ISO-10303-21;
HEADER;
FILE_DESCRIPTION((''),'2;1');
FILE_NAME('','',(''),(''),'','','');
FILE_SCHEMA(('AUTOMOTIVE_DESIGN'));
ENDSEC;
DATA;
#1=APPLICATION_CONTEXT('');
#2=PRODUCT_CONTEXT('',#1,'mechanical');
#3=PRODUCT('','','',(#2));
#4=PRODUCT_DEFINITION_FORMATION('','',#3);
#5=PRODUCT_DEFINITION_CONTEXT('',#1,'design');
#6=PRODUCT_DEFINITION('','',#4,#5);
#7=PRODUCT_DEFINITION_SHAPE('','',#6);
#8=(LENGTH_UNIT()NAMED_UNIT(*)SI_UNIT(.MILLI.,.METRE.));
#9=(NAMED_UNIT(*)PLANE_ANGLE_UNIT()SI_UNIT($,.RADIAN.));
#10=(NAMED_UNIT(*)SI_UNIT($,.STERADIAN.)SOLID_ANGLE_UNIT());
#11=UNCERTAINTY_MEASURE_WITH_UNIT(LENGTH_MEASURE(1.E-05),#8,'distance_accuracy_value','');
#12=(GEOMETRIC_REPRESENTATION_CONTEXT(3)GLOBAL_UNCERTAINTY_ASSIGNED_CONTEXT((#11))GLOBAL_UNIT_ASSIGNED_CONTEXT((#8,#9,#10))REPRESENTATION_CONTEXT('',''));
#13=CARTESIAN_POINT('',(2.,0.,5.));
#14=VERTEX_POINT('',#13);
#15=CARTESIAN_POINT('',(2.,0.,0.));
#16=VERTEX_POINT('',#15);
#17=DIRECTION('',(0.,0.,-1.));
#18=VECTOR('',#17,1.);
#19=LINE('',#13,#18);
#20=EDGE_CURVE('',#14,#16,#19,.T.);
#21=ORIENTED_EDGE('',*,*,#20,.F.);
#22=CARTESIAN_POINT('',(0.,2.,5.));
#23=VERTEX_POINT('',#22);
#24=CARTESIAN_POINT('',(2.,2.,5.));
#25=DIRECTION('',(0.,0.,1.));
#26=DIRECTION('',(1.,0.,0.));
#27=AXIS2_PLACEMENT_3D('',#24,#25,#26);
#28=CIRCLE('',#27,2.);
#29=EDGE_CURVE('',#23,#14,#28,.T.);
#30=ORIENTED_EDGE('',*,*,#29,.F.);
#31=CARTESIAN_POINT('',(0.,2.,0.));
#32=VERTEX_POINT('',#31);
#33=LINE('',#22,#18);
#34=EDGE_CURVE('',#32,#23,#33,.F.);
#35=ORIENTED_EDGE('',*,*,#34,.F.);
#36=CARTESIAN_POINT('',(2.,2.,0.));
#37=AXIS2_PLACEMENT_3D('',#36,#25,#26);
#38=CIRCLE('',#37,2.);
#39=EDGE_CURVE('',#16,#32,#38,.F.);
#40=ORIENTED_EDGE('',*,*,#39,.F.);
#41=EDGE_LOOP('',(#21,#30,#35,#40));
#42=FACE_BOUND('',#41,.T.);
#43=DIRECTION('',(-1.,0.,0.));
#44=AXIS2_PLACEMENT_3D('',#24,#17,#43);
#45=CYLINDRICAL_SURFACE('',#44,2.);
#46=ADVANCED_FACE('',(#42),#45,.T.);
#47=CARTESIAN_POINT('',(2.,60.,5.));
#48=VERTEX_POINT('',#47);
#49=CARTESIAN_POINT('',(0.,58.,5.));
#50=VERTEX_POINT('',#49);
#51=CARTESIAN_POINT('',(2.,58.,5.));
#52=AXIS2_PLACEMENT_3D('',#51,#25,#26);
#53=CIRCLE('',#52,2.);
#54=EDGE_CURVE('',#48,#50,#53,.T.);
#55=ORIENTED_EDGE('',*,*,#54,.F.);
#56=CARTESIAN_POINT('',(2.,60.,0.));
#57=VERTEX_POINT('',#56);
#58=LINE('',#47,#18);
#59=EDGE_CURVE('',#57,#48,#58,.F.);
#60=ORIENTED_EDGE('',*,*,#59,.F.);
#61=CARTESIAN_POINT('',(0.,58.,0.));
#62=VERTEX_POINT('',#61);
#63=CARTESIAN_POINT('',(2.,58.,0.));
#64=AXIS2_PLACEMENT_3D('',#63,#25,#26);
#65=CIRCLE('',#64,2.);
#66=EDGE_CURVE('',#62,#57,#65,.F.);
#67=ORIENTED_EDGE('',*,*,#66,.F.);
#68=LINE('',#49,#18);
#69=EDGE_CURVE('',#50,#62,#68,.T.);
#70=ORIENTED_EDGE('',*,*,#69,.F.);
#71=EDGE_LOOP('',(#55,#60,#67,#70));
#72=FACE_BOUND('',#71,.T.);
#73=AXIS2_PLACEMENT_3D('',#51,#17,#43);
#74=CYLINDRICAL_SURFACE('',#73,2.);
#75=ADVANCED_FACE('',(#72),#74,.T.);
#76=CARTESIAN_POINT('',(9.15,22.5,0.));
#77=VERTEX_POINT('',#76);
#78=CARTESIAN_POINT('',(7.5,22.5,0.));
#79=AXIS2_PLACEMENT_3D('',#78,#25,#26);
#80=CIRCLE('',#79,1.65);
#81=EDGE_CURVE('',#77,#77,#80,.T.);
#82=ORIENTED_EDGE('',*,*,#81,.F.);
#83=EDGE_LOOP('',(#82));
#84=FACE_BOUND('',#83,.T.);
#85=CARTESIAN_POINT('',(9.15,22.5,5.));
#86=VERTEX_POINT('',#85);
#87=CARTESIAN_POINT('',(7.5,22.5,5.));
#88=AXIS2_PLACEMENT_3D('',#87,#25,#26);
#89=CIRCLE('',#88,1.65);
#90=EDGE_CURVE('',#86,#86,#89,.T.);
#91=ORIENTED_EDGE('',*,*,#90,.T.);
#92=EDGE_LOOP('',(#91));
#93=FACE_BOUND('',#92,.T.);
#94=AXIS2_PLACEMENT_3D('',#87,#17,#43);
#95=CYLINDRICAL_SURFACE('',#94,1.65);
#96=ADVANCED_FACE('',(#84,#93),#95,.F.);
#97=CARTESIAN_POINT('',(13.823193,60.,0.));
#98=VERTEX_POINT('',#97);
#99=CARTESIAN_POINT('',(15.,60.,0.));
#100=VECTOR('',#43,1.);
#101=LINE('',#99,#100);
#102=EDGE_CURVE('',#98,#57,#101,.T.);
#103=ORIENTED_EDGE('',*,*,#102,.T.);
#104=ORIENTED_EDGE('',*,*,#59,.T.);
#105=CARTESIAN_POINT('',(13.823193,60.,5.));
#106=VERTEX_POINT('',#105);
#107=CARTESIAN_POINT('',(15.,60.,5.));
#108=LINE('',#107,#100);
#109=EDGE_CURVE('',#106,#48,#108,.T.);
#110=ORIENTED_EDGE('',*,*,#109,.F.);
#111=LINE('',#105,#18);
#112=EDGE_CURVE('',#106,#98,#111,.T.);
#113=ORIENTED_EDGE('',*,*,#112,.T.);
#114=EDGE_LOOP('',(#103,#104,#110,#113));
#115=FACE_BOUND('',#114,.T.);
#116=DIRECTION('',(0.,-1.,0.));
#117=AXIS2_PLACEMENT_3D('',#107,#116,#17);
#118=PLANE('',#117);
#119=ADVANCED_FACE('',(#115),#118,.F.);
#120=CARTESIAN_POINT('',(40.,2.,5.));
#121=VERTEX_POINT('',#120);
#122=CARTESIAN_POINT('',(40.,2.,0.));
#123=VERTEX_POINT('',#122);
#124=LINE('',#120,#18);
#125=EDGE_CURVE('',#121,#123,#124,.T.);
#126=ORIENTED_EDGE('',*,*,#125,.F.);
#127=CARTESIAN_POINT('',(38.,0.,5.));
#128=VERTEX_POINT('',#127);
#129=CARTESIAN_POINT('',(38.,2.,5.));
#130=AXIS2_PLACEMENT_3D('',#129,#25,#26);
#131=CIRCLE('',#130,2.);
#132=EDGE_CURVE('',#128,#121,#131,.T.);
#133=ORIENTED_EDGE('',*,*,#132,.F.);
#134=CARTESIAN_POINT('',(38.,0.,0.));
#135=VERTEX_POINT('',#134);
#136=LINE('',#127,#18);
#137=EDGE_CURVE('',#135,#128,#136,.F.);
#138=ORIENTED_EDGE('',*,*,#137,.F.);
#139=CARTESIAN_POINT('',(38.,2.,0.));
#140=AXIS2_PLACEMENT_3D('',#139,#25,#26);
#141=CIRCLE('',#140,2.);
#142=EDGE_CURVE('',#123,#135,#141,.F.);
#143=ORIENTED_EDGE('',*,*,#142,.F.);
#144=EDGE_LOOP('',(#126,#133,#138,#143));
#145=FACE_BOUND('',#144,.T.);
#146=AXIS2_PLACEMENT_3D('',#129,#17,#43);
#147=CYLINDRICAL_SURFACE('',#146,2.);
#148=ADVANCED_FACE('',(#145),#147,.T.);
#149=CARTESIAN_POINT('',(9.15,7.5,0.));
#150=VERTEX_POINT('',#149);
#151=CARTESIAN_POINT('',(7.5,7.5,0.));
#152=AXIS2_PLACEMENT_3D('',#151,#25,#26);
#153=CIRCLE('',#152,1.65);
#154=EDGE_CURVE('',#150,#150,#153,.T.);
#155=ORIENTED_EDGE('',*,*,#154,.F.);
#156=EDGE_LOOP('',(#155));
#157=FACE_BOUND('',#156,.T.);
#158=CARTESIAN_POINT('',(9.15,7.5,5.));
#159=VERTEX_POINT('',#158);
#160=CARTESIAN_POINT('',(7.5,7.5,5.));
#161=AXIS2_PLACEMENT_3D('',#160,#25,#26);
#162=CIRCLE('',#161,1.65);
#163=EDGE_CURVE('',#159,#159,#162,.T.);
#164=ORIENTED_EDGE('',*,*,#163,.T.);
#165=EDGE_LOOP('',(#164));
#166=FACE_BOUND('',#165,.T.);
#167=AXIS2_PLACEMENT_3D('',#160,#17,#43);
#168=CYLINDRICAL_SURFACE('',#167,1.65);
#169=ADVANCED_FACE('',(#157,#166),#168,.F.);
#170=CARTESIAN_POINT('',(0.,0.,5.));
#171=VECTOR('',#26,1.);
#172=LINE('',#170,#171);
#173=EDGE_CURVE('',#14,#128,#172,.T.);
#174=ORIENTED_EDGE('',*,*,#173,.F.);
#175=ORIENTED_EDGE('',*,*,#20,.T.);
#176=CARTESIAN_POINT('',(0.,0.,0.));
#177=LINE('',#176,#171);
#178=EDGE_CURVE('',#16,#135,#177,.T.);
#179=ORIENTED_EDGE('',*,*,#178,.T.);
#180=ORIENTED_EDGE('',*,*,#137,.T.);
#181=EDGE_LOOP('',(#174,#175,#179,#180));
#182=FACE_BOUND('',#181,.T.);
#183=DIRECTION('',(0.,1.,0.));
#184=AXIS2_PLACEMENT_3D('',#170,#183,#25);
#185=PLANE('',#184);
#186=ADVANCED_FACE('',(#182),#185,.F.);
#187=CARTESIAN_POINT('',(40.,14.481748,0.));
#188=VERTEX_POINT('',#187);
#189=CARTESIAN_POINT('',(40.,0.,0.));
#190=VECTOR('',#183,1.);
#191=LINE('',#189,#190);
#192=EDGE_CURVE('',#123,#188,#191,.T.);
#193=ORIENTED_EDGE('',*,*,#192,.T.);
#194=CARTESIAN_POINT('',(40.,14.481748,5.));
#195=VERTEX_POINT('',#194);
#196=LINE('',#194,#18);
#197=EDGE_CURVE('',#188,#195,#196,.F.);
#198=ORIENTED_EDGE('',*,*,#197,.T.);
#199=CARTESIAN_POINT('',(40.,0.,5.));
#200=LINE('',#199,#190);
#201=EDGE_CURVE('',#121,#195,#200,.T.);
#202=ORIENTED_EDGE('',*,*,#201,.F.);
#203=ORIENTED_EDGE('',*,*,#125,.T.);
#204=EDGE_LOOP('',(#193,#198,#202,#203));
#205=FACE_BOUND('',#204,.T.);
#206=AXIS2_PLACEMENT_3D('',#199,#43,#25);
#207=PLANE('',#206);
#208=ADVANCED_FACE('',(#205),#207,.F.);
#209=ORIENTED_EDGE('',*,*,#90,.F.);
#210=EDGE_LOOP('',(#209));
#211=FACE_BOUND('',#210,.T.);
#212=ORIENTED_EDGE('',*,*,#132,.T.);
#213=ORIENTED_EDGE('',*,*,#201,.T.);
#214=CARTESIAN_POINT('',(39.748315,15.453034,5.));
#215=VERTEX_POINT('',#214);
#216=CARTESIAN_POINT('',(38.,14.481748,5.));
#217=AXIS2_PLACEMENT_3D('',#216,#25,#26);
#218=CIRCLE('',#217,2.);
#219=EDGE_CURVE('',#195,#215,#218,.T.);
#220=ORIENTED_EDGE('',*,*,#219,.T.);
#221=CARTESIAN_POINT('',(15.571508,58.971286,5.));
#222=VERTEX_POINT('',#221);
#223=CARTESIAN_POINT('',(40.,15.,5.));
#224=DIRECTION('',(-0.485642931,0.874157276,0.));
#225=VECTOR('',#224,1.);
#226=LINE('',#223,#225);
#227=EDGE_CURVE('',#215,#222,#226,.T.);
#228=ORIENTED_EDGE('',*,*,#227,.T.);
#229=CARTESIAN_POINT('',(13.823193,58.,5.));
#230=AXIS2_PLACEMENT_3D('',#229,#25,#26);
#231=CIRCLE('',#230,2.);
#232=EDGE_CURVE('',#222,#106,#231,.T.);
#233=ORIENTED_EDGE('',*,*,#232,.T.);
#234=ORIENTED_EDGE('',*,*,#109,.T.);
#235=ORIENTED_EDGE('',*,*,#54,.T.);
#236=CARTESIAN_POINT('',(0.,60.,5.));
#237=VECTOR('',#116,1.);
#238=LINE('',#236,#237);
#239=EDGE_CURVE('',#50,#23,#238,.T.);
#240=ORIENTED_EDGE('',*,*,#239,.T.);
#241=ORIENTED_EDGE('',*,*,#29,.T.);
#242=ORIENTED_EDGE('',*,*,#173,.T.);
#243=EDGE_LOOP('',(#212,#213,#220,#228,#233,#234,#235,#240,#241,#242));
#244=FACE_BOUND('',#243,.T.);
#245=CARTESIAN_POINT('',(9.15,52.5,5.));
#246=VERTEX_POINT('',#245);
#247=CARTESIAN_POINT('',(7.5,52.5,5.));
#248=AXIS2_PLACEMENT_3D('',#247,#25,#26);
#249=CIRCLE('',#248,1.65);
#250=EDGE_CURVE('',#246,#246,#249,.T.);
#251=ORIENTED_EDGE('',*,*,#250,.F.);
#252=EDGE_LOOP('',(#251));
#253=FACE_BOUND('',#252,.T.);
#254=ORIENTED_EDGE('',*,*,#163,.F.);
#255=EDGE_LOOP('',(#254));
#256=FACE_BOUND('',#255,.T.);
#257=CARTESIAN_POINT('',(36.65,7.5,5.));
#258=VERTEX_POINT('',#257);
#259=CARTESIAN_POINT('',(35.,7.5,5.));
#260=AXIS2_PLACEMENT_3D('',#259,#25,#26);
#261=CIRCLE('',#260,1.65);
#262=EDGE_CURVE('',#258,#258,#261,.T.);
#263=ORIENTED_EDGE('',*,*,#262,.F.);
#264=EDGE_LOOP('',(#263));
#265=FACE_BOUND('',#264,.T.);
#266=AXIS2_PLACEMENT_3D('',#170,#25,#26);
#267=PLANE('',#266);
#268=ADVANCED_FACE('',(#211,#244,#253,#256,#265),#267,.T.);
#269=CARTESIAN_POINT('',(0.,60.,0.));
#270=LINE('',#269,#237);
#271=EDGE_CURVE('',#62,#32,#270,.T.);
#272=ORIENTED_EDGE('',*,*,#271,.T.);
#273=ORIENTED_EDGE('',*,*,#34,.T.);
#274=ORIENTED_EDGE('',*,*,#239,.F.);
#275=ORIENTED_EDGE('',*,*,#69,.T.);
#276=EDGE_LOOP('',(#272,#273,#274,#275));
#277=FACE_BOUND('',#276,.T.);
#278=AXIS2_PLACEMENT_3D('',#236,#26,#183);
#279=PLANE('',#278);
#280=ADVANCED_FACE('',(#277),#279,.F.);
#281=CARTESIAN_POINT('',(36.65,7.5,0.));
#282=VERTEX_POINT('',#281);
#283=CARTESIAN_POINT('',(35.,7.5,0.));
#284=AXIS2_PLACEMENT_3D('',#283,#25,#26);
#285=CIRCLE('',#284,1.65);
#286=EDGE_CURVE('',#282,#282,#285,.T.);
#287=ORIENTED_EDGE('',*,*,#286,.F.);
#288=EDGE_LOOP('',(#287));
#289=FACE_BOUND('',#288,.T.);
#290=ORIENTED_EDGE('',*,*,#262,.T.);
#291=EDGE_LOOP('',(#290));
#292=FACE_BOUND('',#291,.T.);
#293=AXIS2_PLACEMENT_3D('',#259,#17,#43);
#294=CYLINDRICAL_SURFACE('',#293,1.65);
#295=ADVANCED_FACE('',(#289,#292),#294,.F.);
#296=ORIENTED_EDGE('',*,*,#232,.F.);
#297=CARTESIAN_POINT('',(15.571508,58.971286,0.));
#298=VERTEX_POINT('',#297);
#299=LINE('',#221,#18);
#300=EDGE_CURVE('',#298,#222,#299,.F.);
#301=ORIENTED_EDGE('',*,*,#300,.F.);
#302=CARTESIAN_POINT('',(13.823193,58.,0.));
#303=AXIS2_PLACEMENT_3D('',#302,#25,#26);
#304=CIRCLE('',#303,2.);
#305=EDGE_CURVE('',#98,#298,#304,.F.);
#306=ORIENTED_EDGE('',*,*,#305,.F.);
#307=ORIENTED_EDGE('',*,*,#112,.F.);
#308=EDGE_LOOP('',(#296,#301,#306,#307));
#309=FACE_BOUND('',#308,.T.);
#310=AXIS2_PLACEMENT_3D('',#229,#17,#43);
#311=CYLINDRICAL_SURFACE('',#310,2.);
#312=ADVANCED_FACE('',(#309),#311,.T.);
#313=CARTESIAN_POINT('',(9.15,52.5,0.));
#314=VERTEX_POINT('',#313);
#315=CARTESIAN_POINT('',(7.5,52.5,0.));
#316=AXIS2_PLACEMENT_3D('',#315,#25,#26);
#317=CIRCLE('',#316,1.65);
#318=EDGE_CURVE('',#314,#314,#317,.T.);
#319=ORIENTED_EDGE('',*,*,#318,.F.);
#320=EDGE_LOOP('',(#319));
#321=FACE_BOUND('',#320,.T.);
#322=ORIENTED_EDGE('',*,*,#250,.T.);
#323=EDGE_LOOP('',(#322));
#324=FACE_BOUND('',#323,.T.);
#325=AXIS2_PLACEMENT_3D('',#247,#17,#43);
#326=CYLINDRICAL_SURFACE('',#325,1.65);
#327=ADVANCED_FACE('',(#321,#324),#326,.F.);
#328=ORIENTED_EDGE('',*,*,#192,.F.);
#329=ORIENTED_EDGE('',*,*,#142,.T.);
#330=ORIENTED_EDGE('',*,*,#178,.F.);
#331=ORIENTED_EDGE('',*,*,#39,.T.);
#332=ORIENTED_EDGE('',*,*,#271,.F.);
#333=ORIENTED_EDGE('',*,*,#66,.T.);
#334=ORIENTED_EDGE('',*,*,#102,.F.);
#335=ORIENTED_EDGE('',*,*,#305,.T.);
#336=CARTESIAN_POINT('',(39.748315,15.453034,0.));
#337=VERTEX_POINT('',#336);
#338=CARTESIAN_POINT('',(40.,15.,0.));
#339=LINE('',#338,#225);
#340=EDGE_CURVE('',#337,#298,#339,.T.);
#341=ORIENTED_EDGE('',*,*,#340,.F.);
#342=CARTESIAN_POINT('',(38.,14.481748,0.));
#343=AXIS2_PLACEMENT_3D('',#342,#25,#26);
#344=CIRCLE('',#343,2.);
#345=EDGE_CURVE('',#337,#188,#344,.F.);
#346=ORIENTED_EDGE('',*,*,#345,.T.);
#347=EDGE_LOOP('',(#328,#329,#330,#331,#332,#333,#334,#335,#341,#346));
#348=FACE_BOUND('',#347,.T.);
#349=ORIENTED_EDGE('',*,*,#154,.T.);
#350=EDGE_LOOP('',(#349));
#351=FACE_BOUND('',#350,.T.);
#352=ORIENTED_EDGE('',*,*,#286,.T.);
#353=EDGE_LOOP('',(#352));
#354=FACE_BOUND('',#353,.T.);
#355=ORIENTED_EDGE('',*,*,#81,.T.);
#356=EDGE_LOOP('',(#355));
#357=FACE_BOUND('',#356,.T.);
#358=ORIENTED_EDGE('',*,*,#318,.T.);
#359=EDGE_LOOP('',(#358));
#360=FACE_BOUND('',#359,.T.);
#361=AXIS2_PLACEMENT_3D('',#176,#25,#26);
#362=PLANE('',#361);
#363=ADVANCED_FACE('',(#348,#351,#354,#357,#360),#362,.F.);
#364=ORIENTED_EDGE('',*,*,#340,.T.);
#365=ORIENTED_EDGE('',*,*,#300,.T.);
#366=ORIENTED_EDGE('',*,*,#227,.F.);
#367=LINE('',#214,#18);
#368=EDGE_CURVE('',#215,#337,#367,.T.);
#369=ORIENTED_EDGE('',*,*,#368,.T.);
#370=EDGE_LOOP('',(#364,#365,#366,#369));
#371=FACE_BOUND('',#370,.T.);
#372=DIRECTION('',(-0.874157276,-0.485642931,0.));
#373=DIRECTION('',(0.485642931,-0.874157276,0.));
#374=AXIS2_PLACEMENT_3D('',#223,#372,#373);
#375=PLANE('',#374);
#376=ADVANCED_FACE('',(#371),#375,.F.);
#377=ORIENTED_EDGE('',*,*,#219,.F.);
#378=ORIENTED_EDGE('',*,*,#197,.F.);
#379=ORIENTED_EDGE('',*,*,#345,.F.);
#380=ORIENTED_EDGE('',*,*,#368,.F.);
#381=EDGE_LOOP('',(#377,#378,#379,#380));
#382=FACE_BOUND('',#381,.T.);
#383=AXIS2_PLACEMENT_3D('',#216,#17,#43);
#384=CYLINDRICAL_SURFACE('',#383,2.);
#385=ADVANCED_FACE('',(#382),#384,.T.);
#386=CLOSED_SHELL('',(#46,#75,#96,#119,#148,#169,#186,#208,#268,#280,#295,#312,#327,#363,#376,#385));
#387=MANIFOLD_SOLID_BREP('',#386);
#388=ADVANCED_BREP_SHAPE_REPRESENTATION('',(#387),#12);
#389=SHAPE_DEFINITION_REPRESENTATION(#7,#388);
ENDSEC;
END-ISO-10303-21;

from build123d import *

# Parameters (mm, degrees)
SKETCH_1_R      = 1.65
EXTRUDE_1_DEPTH = 5
FILLET_1_R      = 2


with BuildPart() as part:
    # ｽｹｯﾁ1 → ﾎﾞｽ - 押し出し1 (new body)
    with BuildSketch(Plane.XY):
        Polygon((0, 0), (40, 0), (40, 15), (15, 60), (0, 60), align=None)
        with Locations((35, 7.5)):
            Circle(SKETCH_1_R, mode=Mode.SUBTRACT)
        with Locations((7.5, 7.5)):
            Circle(SKETCH_1_R, mode=Mode.SUBTRACT)
        with Locations((7.5, 22.5)):
            Circle(SKETCH_1_R, mode=Mode.SUBTRACT)
        with Locations((7.5, 52.5)):
            Circle(SKETCH_1_R, mode=Mode.SUBTRACT)
    extrude(amount=EXTRUDE_1_DEPTH)

    # ﾌｨﾚｯﾄ1
    fillet_1_edges = [part.edges().sort_by_distance(p)[0] for p in [
        (0, 60, 2.5),
        (15, 60, 2.5),
        (40, 15, 2.5),
        (40, 0, 2.5),
        (0, 0, 2.5),
    ]]
    fillet(fillet_1_edges, radius=FILLET_1_R)


solid = part.part
